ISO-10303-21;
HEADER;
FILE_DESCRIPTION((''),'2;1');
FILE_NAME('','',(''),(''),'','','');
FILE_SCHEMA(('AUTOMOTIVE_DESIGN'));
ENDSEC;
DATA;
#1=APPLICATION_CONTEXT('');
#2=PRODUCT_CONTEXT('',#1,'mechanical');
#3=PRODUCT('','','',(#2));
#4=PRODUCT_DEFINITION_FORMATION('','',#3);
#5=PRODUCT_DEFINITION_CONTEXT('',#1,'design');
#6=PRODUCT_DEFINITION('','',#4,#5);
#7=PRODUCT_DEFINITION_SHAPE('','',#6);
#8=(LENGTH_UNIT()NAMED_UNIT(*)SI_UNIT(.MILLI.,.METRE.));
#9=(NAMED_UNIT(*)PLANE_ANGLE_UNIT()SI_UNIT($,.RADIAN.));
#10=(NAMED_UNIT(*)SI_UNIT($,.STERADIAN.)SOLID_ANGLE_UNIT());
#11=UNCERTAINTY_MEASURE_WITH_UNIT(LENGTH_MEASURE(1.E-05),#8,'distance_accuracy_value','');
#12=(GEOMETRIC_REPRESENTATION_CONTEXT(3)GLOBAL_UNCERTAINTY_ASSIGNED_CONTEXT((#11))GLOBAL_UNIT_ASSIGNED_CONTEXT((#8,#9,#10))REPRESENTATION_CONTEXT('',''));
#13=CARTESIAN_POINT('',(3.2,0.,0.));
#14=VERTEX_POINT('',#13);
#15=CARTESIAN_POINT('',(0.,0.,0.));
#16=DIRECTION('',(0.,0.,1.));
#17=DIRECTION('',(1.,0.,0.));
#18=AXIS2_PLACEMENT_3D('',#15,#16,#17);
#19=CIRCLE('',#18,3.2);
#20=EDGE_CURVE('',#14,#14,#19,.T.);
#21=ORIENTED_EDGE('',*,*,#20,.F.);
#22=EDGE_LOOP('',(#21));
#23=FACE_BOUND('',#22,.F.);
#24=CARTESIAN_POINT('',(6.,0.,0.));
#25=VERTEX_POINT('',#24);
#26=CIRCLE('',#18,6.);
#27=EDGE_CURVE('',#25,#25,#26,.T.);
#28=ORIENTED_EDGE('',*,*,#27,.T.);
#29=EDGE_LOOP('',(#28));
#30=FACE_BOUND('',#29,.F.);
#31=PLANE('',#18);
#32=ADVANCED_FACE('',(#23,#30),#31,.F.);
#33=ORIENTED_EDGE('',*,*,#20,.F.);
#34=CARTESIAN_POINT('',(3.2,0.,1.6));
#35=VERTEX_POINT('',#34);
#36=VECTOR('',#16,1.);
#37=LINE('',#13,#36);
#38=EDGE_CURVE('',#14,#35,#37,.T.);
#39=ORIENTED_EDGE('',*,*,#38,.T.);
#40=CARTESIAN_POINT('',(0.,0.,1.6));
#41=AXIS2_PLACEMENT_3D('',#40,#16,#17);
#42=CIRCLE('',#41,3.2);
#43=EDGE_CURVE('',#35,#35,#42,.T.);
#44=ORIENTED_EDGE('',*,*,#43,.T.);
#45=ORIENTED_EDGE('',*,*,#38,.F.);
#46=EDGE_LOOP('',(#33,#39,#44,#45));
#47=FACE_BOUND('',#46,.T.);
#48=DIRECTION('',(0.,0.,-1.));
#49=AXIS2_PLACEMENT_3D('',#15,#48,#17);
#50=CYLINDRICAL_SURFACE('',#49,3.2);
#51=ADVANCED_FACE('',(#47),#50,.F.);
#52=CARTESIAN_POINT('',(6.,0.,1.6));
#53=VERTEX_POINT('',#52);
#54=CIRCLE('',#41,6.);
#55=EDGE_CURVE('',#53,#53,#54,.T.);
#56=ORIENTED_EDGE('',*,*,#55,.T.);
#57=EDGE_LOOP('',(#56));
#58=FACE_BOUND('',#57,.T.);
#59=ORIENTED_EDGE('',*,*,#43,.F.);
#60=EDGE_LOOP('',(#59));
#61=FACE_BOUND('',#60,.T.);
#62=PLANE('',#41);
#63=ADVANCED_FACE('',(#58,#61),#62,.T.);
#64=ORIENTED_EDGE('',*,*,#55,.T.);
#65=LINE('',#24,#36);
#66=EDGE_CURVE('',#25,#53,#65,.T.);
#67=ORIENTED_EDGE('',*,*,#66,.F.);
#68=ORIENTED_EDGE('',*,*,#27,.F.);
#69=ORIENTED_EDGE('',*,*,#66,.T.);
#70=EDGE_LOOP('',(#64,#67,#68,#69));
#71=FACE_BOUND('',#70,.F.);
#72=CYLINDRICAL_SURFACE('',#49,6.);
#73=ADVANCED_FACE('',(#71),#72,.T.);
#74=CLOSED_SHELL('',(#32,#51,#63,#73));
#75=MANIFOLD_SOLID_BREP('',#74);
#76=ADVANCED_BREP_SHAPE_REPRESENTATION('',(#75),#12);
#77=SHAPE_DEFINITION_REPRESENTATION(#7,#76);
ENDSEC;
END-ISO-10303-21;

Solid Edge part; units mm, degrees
sketch "Sketch1" plane through (0, 0, 0) normal (0, 0, 1) x (1, 0, 0)
  circle A0 centre (0, 0) radius 6
  circle A1 centre (0, 0) radius 3.2
  dimension "D1" = 6.4
  dimension "D2" = 12
extrude "Protrusion1" add sketch "Sketch1" along normal blind 1.6
properties material "Steel"
